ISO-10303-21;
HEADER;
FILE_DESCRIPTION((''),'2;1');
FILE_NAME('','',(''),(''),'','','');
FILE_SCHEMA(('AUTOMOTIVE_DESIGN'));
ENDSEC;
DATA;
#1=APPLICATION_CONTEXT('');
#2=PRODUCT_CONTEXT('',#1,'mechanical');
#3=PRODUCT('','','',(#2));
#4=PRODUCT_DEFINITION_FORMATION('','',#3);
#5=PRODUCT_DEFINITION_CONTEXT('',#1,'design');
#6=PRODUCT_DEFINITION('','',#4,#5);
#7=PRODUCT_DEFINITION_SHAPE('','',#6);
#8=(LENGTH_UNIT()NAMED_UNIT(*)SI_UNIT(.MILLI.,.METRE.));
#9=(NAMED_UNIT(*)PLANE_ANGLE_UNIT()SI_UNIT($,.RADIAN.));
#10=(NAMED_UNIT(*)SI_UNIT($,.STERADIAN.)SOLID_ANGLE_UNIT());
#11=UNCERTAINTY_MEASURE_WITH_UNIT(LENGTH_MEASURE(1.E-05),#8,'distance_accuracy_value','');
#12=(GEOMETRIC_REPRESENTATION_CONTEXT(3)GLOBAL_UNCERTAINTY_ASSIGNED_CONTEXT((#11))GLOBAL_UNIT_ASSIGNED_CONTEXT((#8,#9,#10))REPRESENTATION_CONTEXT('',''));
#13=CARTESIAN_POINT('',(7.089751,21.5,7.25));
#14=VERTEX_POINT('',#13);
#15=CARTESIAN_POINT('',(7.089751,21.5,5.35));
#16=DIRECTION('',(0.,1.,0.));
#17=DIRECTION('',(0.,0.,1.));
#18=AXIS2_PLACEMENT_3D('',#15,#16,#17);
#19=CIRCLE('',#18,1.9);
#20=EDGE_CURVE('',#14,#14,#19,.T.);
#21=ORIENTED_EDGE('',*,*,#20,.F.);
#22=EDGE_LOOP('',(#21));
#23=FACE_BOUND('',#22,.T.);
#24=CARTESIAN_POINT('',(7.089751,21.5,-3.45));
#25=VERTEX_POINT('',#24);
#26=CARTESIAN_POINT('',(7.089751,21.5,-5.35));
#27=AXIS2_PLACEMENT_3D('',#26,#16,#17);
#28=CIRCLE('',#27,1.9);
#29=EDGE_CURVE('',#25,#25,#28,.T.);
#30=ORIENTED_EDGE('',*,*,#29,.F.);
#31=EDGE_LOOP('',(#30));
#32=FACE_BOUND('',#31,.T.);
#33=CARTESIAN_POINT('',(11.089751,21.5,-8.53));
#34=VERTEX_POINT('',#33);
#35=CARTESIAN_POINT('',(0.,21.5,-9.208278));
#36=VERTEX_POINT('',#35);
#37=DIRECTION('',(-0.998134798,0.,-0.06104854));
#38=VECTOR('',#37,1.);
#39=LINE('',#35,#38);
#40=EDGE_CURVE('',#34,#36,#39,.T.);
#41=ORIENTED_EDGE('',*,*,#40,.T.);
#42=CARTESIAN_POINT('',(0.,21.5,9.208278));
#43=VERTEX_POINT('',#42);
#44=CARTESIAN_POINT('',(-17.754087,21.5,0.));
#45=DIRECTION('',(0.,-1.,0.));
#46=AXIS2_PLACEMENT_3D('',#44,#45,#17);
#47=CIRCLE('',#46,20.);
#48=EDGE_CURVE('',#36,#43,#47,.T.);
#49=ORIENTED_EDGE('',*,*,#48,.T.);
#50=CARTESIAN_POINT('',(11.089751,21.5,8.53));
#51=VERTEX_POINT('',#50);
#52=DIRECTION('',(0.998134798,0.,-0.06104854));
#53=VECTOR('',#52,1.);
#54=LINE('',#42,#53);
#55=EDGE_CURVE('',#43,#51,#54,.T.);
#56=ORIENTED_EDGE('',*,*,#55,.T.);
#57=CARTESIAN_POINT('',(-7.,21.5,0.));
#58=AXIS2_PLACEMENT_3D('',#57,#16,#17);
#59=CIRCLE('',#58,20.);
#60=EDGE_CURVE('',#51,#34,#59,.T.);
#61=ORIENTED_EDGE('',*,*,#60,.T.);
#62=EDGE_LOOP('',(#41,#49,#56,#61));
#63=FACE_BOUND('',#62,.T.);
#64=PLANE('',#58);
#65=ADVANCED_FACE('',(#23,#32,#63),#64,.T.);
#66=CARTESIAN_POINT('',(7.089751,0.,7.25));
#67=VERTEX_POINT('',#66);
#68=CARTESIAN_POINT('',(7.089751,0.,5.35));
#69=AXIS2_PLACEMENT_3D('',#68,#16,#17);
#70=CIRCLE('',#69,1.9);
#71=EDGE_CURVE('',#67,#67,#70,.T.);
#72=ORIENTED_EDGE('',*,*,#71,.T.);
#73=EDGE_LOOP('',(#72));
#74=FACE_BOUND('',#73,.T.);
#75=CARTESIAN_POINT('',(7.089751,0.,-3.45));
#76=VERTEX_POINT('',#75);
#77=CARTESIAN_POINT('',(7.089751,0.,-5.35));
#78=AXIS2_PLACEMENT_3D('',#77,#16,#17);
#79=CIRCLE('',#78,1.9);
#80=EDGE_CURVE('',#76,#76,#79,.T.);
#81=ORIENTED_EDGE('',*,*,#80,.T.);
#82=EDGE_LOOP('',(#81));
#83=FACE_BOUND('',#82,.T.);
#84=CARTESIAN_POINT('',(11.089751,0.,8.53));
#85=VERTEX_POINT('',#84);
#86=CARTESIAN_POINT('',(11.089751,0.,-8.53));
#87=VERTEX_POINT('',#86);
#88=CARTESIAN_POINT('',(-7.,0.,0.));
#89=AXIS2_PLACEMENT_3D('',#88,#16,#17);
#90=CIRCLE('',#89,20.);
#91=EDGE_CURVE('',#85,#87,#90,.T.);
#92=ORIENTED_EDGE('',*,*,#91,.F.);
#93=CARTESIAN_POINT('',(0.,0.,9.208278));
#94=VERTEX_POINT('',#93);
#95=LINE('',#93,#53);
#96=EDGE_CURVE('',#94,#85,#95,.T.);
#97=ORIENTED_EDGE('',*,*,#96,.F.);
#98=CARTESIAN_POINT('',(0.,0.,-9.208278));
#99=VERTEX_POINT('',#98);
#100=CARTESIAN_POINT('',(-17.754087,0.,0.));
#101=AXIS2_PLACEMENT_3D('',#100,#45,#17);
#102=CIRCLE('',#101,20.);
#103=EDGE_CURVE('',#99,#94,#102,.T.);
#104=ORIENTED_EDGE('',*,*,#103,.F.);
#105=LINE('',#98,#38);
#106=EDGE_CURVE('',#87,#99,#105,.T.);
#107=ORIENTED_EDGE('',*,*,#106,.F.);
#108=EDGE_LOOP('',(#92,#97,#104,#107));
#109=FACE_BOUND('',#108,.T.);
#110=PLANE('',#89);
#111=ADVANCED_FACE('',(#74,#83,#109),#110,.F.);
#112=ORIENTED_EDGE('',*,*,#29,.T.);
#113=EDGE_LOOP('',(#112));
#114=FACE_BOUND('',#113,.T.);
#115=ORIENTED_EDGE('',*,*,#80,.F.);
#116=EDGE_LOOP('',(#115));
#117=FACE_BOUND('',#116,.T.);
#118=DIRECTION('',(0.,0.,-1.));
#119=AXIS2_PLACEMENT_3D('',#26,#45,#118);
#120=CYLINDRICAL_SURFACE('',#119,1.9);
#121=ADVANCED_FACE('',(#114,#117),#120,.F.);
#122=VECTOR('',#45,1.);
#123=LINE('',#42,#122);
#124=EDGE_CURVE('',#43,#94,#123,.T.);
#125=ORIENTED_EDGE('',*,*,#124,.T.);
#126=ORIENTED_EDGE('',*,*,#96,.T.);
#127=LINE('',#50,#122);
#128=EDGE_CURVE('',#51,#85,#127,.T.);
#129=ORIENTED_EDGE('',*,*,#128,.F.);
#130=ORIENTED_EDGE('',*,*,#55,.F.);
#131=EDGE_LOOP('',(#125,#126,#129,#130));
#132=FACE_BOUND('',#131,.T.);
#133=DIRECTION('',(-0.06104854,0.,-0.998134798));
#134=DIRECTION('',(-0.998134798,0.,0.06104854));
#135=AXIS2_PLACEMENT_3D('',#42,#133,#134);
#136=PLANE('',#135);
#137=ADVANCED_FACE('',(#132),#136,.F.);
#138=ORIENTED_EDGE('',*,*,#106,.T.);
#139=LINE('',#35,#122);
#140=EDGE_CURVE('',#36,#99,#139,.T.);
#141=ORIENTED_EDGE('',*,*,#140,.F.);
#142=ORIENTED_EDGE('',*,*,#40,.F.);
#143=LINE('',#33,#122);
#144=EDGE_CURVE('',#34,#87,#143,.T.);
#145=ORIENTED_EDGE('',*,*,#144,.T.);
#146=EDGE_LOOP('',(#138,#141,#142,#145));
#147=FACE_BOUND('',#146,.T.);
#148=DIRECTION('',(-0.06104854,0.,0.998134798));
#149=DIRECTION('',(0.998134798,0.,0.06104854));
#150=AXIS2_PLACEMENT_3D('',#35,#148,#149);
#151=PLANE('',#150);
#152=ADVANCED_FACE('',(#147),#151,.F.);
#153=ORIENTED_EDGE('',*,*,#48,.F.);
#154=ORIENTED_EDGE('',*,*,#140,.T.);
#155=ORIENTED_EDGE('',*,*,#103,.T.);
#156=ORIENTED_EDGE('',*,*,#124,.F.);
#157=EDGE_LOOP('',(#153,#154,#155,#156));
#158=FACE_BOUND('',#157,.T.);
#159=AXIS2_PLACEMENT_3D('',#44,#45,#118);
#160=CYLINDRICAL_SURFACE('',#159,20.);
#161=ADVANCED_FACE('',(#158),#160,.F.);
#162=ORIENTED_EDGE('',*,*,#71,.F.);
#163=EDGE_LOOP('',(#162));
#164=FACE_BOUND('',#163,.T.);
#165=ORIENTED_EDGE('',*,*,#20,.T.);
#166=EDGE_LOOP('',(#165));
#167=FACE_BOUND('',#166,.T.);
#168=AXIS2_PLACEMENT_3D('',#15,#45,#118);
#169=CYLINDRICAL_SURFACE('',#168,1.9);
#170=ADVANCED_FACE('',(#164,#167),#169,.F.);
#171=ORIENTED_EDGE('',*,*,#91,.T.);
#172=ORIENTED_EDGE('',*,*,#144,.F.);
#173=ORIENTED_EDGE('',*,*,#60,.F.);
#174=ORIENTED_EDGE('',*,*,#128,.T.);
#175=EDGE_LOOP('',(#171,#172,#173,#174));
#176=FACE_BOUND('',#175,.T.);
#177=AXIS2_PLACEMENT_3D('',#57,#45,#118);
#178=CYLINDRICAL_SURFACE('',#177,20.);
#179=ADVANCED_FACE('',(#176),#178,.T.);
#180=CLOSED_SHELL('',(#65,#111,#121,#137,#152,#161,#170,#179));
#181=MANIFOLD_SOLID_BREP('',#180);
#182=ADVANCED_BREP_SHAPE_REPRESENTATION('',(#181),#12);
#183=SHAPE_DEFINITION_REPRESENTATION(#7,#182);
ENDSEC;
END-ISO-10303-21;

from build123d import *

# Parameters (mm, degrees)
SKETCH1_R           = 1.9
BOSS_EXTRUDE3_DEPTH = 21.5


with BuildPart() as part:
    # Sketch1 → Boss-Extrude3 (new body)
    with BuildSketch(Plane(origin=(0, 0, 0), x_dir=(1, 0, 0), z_dir=(0, 1, 0))):
        with BuildLine():
            Line((0, 9.208278243), (11.089751242, 8.53))
            ThreePointArc((11.089751242, 8.53), (13, 0), (11.089751242, -8.53))
            Line((11.089751242, -8.53), (0, -9.208278243))
            ThreePointArc((0, -9.208278243), (2.245912814, 0), (0, 9.208278243))
        make_face()
        with Locations(Location((7.089751242, -5.35, 0), (0, 0, 270))):
            Circle(SKETCH1_R, mode=Mode.SUBTRACT)
        with Locations(Location((7.089751242, 5.35, 0), (0, 0, 270))):
            Circle(SKETCH1_R, mode=Mode.SUBTRACT)
    extrude(amount=BOSS_EXTRUDE3_DEPTH)


solid = part.part
